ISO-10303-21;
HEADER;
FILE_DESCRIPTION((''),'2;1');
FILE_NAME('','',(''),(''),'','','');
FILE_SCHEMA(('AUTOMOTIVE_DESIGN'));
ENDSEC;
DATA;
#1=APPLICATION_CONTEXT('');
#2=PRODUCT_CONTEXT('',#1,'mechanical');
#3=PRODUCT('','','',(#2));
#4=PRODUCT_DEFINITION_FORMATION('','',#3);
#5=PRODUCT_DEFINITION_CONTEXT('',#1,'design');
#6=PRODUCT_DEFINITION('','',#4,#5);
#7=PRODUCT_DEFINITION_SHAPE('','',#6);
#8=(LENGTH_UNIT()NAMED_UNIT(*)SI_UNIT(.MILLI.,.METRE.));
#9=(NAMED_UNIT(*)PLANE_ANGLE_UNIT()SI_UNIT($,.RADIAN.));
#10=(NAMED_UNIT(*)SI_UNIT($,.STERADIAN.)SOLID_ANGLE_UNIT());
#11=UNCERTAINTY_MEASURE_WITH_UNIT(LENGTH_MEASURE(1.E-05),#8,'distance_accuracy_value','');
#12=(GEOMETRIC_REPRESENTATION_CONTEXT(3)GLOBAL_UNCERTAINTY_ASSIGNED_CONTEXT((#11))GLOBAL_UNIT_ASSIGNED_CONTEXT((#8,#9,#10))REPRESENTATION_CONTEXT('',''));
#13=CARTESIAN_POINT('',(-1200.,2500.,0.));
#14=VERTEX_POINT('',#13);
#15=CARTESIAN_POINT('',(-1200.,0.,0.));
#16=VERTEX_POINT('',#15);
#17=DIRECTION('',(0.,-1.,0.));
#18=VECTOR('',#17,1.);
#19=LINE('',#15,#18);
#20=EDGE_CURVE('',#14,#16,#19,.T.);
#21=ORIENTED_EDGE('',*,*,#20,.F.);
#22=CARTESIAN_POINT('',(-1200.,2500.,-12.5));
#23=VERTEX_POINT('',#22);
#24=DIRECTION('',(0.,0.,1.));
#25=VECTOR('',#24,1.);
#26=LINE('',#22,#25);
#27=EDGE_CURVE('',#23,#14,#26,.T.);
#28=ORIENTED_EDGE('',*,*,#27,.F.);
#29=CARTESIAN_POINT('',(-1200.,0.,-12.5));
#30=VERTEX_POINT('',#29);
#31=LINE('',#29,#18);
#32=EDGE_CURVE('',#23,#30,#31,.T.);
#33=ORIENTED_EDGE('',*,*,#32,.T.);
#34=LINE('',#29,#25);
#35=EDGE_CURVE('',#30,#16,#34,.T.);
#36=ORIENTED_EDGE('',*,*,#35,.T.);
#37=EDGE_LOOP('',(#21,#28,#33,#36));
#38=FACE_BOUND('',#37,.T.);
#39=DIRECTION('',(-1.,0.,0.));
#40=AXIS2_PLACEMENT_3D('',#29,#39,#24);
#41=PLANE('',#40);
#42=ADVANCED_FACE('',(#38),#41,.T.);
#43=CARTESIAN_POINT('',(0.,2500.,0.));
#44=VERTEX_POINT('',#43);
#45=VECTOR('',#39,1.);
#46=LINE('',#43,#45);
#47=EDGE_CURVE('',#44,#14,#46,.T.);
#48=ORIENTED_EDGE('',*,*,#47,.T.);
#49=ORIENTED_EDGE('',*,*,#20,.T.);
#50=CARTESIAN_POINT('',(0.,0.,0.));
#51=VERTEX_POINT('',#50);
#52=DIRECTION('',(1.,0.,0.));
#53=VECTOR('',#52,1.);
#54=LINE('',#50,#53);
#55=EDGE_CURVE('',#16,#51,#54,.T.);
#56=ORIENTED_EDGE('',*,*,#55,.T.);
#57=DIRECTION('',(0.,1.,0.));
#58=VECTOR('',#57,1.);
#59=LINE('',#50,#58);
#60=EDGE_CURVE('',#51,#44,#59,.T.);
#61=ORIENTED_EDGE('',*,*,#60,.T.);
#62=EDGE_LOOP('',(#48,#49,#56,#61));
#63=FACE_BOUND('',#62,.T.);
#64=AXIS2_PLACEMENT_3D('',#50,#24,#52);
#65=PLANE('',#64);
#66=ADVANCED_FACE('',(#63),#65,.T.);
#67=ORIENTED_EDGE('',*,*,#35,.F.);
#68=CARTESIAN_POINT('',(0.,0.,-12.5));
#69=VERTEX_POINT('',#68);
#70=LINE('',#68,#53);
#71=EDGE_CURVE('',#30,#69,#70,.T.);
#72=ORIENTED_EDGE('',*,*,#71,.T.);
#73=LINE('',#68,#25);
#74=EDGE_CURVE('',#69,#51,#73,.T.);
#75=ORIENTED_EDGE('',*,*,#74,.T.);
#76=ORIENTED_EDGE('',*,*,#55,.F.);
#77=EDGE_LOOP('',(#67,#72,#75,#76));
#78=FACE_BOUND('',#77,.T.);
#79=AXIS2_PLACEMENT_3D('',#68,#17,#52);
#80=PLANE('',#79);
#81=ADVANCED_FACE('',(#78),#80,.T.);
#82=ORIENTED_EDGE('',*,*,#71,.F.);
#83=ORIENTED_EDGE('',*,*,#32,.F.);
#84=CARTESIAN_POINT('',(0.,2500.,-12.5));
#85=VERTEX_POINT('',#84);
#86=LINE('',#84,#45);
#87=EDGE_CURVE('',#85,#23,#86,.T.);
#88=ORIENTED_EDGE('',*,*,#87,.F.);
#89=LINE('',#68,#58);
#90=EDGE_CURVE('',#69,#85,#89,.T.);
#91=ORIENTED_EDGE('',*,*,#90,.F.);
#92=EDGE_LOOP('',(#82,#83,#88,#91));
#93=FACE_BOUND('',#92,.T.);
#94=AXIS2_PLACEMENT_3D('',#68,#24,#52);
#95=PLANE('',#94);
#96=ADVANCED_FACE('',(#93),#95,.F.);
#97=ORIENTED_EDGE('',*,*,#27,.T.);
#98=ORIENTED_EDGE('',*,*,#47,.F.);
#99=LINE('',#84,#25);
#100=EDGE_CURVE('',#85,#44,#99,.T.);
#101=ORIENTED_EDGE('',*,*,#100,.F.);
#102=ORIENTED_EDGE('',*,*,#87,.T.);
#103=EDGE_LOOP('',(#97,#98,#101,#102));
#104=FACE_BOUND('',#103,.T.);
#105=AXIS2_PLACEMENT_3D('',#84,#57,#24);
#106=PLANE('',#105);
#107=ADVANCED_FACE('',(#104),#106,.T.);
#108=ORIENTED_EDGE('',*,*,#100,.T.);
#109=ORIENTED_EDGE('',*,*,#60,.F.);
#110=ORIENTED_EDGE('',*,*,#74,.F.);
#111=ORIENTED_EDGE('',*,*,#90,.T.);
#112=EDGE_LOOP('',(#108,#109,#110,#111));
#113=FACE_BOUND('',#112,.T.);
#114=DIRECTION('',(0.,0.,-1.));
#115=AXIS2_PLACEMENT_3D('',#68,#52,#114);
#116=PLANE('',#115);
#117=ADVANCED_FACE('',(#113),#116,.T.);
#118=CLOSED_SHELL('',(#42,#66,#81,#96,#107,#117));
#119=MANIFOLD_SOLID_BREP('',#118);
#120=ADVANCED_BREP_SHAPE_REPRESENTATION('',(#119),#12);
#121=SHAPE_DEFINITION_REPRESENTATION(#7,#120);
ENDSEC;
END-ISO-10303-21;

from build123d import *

# Parameters (mm, degrees)
SKETCH_1_W      = 1200
SKETCH_1_H      = 2500
EXTRUDE_1_DEPTH = 12.5


with BuildPart() as part:
    # Эскиз1 → Бобышка-Вытянуть1 (new body)
    with BuildSketch(Plane.XY):
        with Locations((-600, 1250)):
            Rectangle(SKETCH_1_W, SKETCH_1_H)
    extrude(amount=-EXTRUDE_1_DEPTH)


solid = part.part
